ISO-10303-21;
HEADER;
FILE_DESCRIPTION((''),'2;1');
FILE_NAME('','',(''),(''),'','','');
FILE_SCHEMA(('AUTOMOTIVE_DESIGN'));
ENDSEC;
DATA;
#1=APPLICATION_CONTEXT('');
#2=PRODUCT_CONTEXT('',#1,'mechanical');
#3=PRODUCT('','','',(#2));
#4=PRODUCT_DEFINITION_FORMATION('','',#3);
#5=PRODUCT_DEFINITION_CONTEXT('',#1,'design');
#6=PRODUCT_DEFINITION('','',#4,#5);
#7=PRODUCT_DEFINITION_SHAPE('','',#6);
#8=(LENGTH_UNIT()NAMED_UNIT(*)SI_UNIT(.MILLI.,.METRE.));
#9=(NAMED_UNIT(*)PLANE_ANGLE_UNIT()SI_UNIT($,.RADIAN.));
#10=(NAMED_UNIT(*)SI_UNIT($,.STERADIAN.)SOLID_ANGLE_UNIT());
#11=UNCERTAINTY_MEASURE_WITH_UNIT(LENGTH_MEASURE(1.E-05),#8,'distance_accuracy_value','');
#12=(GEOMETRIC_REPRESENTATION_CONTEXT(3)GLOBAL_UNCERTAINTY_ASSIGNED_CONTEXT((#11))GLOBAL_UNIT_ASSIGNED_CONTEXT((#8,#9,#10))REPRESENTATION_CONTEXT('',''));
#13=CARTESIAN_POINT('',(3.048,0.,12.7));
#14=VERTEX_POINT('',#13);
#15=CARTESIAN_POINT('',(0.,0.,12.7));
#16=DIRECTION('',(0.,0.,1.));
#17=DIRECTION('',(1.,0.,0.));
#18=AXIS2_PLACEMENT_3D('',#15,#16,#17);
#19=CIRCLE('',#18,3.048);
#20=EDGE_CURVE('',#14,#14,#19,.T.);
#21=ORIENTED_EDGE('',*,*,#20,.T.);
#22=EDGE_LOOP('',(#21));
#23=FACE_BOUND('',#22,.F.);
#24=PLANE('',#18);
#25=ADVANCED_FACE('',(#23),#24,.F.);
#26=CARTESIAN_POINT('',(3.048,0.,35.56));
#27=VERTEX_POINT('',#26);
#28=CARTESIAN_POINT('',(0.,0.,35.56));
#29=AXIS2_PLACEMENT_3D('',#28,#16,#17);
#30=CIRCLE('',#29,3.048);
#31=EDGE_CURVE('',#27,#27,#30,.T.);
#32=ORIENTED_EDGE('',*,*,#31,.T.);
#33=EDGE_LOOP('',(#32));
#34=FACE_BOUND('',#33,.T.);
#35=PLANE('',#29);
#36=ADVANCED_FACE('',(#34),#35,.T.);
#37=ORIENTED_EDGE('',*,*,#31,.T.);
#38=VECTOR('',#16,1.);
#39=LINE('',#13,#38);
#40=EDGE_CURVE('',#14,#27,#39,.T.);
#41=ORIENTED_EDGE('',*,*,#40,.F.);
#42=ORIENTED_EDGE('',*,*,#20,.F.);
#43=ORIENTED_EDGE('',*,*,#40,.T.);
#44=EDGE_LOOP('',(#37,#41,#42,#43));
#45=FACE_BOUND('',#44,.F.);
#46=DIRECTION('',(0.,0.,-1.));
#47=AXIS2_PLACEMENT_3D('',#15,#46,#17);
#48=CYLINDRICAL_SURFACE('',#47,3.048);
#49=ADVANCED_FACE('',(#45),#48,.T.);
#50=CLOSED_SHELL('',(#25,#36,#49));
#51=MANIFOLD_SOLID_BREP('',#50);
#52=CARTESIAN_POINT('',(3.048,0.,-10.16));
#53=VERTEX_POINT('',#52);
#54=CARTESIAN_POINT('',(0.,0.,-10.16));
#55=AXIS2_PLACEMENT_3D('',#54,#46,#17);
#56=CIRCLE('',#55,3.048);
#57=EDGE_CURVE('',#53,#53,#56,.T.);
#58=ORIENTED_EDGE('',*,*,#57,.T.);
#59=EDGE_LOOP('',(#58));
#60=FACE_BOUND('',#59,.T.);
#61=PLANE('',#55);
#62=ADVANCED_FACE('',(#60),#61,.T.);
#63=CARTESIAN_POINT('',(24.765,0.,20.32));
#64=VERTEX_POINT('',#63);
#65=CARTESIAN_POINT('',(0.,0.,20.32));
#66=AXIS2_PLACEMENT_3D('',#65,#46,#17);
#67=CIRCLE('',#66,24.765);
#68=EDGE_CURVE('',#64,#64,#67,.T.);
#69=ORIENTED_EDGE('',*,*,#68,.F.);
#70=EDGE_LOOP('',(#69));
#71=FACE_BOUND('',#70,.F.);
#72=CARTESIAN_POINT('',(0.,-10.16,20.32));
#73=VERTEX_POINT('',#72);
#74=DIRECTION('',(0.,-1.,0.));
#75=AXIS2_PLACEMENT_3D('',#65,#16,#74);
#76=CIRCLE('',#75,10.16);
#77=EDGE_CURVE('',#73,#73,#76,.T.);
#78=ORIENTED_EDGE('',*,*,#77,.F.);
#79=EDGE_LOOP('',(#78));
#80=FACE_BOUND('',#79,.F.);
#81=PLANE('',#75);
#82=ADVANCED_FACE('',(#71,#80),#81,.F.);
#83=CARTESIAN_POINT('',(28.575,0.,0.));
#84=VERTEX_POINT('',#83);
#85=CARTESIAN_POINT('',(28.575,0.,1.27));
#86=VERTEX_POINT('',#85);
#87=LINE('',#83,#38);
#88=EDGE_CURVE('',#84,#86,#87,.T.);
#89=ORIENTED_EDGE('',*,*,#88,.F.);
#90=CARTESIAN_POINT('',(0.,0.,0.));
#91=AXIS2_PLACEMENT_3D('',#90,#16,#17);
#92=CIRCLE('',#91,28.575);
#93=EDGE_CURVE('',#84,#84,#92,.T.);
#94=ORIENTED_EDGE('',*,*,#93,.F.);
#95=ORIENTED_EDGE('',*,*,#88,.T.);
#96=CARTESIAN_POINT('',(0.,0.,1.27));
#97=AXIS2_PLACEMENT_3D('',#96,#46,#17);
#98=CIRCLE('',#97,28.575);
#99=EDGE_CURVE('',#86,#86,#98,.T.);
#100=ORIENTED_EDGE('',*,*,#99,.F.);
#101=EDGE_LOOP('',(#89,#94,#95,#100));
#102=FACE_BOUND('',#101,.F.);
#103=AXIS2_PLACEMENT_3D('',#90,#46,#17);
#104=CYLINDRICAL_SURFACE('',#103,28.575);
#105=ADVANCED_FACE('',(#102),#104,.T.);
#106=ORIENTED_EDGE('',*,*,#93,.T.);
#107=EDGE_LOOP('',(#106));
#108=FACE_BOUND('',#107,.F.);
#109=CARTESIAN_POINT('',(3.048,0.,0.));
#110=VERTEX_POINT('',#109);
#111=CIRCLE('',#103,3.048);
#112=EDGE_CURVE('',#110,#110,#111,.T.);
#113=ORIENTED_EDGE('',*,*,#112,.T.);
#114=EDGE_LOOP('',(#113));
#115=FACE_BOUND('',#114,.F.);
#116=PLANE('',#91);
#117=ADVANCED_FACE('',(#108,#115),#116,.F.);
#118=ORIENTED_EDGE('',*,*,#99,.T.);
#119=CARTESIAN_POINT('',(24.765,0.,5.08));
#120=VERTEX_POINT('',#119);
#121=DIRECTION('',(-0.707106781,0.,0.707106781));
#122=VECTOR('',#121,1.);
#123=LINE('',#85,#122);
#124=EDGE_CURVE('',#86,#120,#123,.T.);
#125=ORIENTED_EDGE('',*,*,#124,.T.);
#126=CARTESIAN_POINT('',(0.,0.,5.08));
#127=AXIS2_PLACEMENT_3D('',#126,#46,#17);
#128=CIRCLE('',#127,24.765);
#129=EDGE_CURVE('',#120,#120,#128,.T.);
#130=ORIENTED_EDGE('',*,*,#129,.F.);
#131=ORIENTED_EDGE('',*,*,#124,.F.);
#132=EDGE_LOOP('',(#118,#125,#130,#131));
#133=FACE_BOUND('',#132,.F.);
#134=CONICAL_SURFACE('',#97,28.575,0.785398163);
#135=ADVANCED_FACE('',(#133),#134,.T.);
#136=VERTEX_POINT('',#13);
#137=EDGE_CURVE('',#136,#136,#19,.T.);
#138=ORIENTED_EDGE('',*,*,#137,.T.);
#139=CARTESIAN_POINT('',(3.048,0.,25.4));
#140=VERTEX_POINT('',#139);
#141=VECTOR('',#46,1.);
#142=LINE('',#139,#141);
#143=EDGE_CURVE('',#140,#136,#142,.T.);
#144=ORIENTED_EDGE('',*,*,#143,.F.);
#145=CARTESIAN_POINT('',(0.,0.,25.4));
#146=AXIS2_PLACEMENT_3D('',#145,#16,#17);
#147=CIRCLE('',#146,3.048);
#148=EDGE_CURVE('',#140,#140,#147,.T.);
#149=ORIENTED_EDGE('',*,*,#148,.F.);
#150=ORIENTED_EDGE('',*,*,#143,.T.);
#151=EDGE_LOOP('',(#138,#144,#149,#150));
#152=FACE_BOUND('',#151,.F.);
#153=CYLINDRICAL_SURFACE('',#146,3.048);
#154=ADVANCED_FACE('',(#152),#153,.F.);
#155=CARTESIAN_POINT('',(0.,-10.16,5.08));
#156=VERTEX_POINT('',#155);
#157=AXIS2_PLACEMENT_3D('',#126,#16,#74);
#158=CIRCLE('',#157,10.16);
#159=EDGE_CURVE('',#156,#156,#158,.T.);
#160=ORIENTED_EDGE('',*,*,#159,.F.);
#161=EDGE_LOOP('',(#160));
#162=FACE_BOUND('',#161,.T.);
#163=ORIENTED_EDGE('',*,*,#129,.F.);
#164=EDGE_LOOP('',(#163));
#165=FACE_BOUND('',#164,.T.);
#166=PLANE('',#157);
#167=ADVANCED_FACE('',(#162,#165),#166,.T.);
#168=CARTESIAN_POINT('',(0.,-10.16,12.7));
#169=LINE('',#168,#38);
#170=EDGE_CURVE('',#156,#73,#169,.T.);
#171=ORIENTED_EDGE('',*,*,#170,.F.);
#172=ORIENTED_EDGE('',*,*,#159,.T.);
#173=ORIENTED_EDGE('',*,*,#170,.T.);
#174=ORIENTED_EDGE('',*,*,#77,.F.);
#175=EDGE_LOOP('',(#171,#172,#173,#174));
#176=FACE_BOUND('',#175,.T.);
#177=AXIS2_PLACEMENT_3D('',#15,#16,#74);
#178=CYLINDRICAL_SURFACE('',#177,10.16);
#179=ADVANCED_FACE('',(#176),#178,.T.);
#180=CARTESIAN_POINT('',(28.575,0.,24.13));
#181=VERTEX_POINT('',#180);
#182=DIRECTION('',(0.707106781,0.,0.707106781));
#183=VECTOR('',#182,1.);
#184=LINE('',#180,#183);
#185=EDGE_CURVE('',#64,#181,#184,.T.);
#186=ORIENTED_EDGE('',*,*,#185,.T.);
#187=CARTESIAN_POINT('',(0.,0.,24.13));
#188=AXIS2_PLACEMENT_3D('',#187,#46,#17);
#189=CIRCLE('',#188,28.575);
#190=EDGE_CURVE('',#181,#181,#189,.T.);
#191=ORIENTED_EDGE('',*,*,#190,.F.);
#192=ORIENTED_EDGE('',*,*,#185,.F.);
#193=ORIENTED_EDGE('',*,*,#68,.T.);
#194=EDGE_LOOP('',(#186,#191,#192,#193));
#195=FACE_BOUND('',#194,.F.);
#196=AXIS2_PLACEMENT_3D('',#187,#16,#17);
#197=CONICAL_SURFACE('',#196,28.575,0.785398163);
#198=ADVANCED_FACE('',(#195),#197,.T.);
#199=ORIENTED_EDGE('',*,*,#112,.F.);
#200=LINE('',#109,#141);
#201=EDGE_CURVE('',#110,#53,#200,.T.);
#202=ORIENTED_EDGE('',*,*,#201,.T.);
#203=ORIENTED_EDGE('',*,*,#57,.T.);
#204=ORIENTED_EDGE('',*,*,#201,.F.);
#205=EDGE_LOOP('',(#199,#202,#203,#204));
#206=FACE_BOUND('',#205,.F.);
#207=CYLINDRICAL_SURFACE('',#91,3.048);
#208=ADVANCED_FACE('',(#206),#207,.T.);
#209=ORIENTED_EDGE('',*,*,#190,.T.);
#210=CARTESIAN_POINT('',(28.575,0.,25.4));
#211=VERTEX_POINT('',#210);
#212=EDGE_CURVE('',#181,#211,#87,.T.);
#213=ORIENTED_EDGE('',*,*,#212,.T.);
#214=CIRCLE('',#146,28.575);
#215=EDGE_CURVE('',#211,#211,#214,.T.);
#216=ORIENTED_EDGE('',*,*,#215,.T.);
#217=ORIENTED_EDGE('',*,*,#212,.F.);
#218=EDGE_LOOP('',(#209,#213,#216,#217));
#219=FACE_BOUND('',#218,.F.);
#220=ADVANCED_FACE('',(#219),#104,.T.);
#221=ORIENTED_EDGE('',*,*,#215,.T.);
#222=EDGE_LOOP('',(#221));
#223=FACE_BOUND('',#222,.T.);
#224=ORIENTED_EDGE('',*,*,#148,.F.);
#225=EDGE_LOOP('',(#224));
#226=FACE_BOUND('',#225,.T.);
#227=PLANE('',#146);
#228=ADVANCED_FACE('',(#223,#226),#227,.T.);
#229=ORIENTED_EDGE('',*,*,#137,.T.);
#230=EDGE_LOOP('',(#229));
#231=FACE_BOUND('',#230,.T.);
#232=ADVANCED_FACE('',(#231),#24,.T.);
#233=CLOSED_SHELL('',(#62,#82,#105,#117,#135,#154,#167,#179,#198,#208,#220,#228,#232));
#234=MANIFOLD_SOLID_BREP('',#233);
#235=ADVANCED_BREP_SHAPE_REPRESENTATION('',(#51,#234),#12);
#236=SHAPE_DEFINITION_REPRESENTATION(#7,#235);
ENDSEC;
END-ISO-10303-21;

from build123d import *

# Parameters (mm, degrees)
F0_R     = 28.575
F1_DEPTH = 25.4
F2_R     = 3.048
F3_DEPTH = 10.16
F4_R     = 3.048
F5_DEPTH = 12.7
F6_DEPTH = 22.86
F7_W     = 24.8050618141
F7_H     = 15.24
F9_SIZE  = 3.81


with BuildPart() as f1:
    # F0 (on Top) → F1 (new body)
    with BuildSketch(Plane.XY):
        Circle(F0_R)
    extrude(amount=F1_DEPTH)

    # F2 (on face) → F3 (join)
    with BuildSketch(Plane(origin=(0, 0, 0), x_dir=(1, 0, 0), z_dir=(0, 0, -1))):
        Circle(F2_R)
    extrude(amount=F3_DEPTH)

    # F4 (on face) → F5 (cut)
    with BuildSketch(Plane.XY.offset(25.4)):
        Circle(F4_R)
    extrude(amount=-F5_DEPTH, mode=Mode.SUBTRACT)


with BuildPart() as f6:
    # F6 (new): a face of the model
    f6_faces = [f1.part.faces().sort_by_distance(p)[0] for p in [
        (0, 0, 12.7),
    ]]
    extrude(f6_faces, amount=F6_DEPTH)


with BuildPart() as f1_1:
    add(f1.part)

    # F7 (on Right) → F8 (revolve, cut)
    with BuildSketch(Plane.YZ):
        with Locations((-22.5625309071, 12.7)):
            Rectangle(F7_W, F7_H)
    revolve(axis=Axis((0, 0, 35.56), (0, 0, 1)), mode=Mode.SUBTRACT)

    # F9
    f9_edges = [f1_1.edges().sort_by_distance(p)[0] for p in [
        (-28.575, 0, 20.32),
        (-28.575, 0, 5.08),
    ]]
    chamfer(f9_edges, length=F9_SIZE)


solid = Compound([f6.part, f1_1.part])
